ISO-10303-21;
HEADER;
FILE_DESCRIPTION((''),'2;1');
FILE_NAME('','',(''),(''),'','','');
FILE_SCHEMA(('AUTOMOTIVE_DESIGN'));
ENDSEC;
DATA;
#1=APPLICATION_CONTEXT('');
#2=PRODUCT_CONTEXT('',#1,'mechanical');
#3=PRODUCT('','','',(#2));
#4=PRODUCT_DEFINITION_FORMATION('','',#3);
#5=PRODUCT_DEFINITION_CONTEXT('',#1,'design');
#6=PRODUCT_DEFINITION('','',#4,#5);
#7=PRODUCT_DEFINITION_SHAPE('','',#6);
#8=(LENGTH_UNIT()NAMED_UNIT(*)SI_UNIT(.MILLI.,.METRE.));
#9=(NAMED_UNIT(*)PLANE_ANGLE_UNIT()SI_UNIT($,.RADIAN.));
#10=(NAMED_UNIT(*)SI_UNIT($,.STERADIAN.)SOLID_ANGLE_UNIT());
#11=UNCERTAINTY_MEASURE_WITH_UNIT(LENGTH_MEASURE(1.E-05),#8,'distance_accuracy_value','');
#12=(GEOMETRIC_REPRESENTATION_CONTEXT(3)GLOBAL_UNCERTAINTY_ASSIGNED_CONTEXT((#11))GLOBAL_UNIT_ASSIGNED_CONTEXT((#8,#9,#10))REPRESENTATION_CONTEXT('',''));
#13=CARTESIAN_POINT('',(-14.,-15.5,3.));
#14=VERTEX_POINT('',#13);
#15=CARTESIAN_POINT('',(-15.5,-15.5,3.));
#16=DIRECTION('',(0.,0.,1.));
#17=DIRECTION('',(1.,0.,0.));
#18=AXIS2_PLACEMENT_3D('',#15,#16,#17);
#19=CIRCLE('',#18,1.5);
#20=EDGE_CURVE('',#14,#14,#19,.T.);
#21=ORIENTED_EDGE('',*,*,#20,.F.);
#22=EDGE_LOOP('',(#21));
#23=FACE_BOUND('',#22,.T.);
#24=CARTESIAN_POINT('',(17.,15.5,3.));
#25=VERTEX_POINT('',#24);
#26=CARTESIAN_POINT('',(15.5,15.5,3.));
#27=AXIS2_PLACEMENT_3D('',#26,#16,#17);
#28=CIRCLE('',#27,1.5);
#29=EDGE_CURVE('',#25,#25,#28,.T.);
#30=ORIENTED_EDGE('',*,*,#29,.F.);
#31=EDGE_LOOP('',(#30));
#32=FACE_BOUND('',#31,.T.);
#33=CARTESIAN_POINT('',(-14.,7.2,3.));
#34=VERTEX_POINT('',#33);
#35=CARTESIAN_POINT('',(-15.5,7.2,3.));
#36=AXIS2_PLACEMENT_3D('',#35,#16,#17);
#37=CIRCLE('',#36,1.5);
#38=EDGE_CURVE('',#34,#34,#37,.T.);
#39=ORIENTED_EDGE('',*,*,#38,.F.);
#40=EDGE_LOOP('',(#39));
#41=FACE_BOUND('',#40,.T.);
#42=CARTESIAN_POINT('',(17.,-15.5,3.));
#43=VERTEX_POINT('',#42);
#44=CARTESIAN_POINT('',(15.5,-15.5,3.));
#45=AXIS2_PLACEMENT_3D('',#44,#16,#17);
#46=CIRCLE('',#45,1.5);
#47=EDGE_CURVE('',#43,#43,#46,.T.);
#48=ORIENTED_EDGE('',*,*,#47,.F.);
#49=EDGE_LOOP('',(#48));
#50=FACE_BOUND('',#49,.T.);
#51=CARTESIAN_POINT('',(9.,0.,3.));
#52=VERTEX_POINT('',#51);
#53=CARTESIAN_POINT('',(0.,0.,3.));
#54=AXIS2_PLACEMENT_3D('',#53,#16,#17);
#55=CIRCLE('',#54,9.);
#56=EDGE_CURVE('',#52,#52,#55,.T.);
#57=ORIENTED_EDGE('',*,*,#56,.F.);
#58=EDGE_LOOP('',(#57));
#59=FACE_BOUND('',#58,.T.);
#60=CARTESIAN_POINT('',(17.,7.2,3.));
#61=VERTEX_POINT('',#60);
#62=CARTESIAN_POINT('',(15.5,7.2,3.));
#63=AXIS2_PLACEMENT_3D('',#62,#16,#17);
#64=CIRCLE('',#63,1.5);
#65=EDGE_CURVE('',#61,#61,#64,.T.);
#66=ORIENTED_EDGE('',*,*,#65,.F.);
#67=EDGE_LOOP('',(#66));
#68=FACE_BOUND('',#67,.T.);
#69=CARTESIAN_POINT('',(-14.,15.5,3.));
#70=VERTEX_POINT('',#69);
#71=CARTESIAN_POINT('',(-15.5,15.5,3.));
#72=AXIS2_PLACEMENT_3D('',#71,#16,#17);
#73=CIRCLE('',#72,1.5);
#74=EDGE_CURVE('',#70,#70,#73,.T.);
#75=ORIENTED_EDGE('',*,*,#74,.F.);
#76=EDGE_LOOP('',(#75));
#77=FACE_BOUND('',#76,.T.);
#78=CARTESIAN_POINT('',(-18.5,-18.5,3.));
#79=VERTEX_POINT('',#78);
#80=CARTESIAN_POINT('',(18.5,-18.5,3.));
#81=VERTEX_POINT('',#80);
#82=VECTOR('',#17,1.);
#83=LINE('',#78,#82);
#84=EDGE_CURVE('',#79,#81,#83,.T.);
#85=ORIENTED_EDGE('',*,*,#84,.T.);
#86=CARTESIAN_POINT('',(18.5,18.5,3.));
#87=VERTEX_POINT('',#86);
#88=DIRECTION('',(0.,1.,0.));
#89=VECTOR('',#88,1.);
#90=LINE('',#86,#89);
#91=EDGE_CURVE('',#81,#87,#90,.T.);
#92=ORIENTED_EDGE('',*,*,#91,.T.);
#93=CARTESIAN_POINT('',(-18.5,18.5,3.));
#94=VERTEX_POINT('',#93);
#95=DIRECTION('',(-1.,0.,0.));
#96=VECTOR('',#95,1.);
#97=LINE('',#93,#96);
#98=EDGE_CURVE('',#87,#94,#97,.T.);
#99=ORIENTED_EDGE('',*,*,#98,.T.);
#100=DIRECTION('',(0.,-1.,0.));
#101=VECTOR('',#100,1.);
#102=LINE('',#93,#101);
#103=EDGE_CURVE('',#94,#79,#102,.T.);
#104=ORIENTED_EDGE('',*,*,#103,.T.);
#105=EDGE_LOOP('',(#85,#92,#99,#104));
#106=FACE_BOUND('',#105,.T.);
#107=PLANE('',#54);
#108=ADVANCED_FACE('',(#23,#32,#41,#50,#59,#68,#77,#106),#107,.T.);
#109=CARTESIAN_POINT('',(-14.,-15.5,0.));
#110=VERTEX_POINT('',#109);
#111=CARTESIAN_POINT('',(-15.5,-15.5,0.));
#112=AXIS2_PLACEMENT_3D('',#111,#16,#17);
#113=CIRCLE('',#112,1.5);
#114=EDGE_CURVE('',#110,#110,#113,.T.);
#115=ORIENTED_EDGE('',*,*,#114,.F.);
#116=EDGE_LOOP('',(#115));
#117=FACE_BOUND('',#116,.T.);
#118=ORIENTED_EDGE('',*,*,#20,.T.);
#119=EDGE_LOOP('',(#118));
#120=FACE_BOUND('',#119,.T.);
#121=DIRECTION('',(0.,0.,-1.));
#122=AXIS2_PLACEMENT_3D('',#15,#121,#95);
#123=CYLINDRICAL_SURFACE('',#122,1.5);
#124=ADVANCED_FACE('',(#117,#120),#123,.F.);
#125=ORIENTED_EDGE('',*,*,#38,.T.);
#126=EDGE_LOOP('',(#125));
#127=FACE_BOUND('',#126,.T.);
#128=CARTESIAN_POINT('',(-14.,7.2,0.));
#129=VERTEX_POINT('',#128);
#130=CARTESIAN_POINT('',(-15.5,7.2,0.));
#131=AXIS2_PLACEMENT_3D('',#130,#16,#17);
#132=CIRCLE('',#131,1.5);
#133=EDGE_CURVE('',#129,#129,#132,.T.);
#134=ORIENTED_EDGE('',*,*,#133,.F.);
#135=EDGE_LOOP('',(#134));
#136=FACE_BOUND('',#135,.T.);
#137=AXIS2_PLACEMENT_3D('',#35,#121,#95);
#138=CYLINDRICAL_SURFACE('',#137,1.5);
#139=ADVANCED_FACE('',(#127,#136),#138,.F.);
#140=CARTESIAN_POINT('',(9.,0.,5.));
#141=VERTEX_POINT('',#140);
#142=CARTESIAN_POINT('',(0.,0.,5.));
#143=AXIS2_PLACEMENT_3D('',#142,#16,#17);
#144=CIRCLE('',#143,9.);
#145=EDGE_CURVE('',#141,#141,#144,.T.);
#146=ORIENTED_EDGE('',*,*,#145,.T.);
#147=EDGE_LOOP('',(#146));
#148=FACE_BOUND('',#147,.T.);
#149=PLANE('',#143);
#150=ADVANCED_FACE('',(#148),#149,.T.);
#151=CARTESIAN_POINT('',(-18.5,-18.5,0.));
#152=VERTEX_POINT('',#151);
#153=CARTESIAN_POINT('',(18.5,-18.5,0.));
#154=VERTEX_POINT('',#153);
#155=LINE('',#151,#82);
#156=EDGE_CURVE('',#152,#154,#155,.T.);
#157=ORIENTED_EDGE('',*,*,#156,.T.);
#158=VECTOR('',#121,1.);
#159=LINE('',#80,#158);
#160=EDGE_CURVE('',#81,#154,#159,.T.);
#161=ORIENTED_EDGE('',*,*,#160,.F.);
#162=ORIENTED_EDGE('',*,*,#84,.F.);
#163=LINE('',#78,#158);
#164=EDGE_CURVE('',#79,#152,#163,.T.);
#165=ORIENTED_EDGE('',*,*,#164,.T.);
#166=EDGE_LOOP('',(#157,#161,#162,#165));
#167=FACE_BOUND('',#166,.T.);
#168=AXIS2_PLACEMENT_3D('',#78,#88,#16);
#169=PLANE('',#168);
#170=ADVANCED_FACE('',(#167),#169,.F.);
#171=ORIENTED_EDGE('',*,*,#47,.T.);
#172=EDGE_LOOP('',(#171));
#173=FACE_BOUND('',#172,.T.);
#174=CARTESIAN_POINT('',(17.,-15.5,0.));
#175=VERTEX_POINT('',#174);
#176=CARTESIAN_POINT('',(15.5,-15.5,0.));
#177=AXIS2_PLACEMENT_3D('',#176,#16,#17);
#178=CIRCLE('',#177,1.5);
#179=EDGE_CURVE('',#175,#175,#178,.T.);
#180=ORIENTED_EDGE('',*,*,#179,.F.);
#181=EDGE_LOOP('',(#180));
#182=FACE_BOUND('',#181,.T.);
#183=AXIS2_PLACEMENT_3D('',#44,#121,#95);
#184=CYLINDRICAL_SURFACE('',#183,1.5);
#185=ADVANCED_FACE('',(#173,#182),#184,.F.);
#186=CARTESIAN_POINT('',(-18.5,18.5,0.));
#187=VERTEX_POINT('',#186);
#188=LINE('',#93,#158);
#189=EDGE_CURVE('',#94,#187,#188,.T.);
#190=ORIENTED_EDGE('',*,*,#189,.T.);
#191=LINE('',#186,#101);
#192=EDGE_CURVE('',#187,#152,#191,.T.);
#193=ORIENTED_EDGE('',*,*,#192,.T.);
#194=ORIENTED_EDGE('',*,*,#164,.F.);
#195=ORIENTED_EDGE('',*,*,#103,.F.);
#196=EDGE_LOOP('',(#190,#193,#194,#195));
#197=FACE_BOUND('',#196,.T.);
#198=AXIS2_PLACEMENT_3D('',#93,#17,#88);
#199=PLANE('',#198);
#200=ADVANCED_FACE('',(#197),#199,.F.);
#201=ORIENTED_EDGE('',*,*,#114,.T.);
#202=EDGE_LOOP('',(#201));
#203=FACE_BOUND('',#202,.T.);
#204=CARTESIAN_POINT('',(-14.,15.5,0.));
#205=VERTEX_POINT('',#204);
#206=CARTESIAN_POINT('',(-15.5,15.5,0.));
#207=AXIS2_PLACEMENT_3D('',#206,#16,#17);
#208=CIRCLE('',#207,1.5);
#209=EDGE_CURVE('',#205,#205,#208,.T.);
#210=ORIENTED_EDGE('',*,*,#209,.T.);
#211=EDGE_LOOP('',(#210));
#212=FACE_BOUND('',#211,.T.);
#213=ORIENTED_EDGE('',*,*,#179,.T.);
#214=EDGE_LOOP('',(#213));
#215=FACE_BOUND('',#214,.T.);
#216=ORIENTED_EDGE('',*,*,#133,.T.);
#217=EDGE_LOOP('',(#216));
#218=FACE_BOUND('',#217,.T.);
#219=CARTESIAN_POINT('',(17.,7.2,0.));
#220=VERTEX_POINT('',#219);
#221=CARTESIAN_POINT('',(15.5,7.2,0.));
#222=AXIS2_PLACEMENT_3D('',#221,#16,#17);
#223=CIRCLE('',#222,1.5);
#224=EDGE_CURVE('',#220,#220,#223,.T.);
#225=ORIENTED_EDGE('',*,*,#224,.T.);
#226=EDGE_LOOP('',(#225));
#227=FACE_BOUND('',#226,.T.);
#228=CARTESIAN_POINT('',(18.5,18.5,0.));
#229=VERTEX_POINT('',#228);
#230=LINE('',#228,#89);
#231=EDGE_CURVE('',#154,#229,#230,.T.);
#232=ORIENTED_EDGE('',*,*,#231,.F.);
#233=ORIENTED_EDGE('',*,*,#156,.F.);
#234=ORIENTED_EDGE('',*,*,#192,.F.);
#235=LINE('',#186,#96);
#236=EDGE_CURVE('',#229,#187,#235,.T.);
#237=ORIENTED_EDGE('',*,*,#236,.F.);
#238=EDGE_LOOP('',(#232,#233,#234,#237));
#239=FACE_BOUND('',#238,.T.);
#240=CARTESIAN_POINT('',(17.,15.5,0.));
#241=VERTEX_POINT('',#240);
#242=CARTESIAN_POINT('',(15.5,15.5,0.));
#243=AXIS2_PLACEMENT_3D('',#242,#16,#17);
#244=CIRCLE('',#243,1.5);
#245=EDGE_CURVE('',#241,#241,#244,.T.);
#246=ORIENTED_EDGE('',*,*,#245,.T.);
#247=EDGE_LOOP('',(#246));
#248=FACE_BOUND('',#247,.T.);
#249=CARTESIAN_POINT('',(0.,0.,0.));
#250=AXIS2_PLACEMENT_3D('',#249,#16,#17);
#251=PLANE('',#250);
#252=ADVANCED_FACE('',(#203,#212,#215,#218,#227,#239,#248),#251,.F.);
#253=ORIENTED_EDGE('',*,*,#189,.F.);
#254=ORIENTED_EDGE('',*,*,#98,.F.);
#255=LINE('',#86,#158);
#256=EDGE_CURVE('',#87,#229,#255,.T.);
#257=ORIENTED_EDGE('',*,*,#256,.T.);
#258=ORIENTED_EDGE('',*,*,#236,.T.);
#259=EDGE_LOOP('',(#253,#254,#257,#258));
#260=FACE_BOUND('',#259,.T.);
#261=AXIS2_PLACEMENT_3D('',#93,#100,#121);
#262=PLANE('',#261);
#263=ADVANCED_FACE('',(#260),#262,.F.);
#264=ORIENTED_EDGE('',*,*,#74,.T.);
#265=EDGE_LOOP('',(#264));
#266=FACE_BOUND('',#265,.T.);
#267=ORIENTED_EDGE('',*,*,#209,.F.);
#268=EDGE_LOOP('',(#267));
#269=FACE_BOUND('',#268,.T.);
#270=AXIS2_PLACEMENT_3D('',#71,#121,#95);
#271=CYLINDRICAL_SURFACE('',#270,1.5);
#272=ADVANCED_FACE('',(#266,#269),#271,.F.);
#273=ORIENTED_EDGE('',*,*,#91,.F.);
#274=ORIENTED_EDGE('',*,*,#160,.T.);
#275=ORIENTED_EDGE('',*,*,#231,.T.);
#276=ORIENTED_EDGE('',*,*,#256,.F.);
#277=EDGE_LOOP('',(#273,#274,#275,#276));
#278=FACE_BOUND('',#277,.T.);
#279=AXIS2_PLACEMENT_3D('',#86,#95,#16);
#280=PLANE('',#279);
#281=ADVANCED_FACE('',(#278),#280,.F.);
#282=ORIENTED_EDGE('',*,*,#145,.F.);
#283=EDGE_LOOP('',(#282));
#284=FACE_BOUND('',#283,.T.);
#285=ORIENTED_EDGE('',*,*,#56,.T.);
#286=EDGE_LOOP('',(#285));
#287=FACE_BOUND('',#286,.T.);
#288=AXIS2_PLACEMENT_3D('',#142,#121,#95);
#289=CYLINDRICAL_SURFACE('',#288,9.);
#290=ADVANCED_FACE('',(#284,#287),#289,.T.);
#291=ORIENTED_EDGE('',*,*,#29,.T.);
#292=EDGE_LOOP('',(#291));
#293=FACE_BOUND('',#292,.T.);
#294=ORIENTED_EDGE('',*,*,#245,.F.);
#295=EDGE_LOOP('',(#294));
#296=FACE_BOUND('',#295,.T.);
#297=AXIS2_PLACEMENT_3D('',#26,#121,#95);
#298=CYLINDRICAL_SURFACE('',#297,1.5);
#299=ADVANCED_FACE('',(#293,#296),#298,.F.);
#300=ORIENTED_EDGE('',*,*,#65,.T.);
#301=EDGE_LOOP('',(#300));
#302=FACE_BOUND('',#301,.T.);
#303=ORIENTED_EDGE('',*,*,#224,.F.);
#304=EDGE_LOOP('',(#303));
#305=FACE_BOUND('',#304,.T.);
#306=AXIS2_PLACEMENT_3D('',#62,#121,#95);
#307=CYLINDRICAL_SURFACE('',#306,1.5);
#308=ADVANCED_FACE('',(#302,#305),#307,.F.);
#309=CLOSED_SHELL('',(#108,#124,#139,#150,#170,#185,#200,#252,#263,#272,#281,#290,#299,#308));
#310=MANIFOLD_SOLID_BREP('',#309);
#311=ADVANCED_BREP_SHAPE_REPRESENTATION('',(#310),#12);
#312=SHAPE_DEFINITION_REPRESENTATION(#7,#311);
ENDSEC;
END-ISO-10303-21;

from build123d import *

# Parameters (mm, degrees)
SKETCH1_W           = 37
SKETCH1_H           = 37
SKETCH1_R           = 1.5
BOSS_EXTRUDE1_DEPTH = 3
SKETCH2_R           = 9
BOSS_EXTRUDE2_DEPTH = 2


with BuildPart() as part:
    # Sketch1 → Boss-Extrude1 (new body)
    with BuildSketch(Plane.XY):
        Rectangle(SKETCH1_W, SKETCH1_H)
        with Locations((15.5, 7.2)):
            Circle(SKETCH1_R, mode=Mode.SUBTRACT)
        with Locations((-15.5, 7.2)):
            Circle(SKETCH1_R, mode=Mode.SUBTRACT)
        with Locations((-15.5, 15.5)):
            Circle(SKETCH1_R, mode=Mode.SUBTRACT)
        with Locations((15.5, 15.5)):
            Circle(SKETCH1_R, mode=Mode.SUBTRACT)
        with Locations((15.5, -15.5)):
            Circle(SKETCH1_R, mode=Mode.SUBTRACT)
        with Locations((-15.5, -15.5)):
            Circle(SKETCH1_R, mode=Mode.SUBTRACT)
    extrude(amount=BOSS_EXTRUDE1_DEPTH)

    # Sketch2 → Boss-Extrude2 (add)
    with BuildSketch(Plane.XY.offset(3)):
        Circle(SKETCH2_R)
    extrude(amount=BOSS_EXTRUDE2_DEPTH)


solid = part.part
